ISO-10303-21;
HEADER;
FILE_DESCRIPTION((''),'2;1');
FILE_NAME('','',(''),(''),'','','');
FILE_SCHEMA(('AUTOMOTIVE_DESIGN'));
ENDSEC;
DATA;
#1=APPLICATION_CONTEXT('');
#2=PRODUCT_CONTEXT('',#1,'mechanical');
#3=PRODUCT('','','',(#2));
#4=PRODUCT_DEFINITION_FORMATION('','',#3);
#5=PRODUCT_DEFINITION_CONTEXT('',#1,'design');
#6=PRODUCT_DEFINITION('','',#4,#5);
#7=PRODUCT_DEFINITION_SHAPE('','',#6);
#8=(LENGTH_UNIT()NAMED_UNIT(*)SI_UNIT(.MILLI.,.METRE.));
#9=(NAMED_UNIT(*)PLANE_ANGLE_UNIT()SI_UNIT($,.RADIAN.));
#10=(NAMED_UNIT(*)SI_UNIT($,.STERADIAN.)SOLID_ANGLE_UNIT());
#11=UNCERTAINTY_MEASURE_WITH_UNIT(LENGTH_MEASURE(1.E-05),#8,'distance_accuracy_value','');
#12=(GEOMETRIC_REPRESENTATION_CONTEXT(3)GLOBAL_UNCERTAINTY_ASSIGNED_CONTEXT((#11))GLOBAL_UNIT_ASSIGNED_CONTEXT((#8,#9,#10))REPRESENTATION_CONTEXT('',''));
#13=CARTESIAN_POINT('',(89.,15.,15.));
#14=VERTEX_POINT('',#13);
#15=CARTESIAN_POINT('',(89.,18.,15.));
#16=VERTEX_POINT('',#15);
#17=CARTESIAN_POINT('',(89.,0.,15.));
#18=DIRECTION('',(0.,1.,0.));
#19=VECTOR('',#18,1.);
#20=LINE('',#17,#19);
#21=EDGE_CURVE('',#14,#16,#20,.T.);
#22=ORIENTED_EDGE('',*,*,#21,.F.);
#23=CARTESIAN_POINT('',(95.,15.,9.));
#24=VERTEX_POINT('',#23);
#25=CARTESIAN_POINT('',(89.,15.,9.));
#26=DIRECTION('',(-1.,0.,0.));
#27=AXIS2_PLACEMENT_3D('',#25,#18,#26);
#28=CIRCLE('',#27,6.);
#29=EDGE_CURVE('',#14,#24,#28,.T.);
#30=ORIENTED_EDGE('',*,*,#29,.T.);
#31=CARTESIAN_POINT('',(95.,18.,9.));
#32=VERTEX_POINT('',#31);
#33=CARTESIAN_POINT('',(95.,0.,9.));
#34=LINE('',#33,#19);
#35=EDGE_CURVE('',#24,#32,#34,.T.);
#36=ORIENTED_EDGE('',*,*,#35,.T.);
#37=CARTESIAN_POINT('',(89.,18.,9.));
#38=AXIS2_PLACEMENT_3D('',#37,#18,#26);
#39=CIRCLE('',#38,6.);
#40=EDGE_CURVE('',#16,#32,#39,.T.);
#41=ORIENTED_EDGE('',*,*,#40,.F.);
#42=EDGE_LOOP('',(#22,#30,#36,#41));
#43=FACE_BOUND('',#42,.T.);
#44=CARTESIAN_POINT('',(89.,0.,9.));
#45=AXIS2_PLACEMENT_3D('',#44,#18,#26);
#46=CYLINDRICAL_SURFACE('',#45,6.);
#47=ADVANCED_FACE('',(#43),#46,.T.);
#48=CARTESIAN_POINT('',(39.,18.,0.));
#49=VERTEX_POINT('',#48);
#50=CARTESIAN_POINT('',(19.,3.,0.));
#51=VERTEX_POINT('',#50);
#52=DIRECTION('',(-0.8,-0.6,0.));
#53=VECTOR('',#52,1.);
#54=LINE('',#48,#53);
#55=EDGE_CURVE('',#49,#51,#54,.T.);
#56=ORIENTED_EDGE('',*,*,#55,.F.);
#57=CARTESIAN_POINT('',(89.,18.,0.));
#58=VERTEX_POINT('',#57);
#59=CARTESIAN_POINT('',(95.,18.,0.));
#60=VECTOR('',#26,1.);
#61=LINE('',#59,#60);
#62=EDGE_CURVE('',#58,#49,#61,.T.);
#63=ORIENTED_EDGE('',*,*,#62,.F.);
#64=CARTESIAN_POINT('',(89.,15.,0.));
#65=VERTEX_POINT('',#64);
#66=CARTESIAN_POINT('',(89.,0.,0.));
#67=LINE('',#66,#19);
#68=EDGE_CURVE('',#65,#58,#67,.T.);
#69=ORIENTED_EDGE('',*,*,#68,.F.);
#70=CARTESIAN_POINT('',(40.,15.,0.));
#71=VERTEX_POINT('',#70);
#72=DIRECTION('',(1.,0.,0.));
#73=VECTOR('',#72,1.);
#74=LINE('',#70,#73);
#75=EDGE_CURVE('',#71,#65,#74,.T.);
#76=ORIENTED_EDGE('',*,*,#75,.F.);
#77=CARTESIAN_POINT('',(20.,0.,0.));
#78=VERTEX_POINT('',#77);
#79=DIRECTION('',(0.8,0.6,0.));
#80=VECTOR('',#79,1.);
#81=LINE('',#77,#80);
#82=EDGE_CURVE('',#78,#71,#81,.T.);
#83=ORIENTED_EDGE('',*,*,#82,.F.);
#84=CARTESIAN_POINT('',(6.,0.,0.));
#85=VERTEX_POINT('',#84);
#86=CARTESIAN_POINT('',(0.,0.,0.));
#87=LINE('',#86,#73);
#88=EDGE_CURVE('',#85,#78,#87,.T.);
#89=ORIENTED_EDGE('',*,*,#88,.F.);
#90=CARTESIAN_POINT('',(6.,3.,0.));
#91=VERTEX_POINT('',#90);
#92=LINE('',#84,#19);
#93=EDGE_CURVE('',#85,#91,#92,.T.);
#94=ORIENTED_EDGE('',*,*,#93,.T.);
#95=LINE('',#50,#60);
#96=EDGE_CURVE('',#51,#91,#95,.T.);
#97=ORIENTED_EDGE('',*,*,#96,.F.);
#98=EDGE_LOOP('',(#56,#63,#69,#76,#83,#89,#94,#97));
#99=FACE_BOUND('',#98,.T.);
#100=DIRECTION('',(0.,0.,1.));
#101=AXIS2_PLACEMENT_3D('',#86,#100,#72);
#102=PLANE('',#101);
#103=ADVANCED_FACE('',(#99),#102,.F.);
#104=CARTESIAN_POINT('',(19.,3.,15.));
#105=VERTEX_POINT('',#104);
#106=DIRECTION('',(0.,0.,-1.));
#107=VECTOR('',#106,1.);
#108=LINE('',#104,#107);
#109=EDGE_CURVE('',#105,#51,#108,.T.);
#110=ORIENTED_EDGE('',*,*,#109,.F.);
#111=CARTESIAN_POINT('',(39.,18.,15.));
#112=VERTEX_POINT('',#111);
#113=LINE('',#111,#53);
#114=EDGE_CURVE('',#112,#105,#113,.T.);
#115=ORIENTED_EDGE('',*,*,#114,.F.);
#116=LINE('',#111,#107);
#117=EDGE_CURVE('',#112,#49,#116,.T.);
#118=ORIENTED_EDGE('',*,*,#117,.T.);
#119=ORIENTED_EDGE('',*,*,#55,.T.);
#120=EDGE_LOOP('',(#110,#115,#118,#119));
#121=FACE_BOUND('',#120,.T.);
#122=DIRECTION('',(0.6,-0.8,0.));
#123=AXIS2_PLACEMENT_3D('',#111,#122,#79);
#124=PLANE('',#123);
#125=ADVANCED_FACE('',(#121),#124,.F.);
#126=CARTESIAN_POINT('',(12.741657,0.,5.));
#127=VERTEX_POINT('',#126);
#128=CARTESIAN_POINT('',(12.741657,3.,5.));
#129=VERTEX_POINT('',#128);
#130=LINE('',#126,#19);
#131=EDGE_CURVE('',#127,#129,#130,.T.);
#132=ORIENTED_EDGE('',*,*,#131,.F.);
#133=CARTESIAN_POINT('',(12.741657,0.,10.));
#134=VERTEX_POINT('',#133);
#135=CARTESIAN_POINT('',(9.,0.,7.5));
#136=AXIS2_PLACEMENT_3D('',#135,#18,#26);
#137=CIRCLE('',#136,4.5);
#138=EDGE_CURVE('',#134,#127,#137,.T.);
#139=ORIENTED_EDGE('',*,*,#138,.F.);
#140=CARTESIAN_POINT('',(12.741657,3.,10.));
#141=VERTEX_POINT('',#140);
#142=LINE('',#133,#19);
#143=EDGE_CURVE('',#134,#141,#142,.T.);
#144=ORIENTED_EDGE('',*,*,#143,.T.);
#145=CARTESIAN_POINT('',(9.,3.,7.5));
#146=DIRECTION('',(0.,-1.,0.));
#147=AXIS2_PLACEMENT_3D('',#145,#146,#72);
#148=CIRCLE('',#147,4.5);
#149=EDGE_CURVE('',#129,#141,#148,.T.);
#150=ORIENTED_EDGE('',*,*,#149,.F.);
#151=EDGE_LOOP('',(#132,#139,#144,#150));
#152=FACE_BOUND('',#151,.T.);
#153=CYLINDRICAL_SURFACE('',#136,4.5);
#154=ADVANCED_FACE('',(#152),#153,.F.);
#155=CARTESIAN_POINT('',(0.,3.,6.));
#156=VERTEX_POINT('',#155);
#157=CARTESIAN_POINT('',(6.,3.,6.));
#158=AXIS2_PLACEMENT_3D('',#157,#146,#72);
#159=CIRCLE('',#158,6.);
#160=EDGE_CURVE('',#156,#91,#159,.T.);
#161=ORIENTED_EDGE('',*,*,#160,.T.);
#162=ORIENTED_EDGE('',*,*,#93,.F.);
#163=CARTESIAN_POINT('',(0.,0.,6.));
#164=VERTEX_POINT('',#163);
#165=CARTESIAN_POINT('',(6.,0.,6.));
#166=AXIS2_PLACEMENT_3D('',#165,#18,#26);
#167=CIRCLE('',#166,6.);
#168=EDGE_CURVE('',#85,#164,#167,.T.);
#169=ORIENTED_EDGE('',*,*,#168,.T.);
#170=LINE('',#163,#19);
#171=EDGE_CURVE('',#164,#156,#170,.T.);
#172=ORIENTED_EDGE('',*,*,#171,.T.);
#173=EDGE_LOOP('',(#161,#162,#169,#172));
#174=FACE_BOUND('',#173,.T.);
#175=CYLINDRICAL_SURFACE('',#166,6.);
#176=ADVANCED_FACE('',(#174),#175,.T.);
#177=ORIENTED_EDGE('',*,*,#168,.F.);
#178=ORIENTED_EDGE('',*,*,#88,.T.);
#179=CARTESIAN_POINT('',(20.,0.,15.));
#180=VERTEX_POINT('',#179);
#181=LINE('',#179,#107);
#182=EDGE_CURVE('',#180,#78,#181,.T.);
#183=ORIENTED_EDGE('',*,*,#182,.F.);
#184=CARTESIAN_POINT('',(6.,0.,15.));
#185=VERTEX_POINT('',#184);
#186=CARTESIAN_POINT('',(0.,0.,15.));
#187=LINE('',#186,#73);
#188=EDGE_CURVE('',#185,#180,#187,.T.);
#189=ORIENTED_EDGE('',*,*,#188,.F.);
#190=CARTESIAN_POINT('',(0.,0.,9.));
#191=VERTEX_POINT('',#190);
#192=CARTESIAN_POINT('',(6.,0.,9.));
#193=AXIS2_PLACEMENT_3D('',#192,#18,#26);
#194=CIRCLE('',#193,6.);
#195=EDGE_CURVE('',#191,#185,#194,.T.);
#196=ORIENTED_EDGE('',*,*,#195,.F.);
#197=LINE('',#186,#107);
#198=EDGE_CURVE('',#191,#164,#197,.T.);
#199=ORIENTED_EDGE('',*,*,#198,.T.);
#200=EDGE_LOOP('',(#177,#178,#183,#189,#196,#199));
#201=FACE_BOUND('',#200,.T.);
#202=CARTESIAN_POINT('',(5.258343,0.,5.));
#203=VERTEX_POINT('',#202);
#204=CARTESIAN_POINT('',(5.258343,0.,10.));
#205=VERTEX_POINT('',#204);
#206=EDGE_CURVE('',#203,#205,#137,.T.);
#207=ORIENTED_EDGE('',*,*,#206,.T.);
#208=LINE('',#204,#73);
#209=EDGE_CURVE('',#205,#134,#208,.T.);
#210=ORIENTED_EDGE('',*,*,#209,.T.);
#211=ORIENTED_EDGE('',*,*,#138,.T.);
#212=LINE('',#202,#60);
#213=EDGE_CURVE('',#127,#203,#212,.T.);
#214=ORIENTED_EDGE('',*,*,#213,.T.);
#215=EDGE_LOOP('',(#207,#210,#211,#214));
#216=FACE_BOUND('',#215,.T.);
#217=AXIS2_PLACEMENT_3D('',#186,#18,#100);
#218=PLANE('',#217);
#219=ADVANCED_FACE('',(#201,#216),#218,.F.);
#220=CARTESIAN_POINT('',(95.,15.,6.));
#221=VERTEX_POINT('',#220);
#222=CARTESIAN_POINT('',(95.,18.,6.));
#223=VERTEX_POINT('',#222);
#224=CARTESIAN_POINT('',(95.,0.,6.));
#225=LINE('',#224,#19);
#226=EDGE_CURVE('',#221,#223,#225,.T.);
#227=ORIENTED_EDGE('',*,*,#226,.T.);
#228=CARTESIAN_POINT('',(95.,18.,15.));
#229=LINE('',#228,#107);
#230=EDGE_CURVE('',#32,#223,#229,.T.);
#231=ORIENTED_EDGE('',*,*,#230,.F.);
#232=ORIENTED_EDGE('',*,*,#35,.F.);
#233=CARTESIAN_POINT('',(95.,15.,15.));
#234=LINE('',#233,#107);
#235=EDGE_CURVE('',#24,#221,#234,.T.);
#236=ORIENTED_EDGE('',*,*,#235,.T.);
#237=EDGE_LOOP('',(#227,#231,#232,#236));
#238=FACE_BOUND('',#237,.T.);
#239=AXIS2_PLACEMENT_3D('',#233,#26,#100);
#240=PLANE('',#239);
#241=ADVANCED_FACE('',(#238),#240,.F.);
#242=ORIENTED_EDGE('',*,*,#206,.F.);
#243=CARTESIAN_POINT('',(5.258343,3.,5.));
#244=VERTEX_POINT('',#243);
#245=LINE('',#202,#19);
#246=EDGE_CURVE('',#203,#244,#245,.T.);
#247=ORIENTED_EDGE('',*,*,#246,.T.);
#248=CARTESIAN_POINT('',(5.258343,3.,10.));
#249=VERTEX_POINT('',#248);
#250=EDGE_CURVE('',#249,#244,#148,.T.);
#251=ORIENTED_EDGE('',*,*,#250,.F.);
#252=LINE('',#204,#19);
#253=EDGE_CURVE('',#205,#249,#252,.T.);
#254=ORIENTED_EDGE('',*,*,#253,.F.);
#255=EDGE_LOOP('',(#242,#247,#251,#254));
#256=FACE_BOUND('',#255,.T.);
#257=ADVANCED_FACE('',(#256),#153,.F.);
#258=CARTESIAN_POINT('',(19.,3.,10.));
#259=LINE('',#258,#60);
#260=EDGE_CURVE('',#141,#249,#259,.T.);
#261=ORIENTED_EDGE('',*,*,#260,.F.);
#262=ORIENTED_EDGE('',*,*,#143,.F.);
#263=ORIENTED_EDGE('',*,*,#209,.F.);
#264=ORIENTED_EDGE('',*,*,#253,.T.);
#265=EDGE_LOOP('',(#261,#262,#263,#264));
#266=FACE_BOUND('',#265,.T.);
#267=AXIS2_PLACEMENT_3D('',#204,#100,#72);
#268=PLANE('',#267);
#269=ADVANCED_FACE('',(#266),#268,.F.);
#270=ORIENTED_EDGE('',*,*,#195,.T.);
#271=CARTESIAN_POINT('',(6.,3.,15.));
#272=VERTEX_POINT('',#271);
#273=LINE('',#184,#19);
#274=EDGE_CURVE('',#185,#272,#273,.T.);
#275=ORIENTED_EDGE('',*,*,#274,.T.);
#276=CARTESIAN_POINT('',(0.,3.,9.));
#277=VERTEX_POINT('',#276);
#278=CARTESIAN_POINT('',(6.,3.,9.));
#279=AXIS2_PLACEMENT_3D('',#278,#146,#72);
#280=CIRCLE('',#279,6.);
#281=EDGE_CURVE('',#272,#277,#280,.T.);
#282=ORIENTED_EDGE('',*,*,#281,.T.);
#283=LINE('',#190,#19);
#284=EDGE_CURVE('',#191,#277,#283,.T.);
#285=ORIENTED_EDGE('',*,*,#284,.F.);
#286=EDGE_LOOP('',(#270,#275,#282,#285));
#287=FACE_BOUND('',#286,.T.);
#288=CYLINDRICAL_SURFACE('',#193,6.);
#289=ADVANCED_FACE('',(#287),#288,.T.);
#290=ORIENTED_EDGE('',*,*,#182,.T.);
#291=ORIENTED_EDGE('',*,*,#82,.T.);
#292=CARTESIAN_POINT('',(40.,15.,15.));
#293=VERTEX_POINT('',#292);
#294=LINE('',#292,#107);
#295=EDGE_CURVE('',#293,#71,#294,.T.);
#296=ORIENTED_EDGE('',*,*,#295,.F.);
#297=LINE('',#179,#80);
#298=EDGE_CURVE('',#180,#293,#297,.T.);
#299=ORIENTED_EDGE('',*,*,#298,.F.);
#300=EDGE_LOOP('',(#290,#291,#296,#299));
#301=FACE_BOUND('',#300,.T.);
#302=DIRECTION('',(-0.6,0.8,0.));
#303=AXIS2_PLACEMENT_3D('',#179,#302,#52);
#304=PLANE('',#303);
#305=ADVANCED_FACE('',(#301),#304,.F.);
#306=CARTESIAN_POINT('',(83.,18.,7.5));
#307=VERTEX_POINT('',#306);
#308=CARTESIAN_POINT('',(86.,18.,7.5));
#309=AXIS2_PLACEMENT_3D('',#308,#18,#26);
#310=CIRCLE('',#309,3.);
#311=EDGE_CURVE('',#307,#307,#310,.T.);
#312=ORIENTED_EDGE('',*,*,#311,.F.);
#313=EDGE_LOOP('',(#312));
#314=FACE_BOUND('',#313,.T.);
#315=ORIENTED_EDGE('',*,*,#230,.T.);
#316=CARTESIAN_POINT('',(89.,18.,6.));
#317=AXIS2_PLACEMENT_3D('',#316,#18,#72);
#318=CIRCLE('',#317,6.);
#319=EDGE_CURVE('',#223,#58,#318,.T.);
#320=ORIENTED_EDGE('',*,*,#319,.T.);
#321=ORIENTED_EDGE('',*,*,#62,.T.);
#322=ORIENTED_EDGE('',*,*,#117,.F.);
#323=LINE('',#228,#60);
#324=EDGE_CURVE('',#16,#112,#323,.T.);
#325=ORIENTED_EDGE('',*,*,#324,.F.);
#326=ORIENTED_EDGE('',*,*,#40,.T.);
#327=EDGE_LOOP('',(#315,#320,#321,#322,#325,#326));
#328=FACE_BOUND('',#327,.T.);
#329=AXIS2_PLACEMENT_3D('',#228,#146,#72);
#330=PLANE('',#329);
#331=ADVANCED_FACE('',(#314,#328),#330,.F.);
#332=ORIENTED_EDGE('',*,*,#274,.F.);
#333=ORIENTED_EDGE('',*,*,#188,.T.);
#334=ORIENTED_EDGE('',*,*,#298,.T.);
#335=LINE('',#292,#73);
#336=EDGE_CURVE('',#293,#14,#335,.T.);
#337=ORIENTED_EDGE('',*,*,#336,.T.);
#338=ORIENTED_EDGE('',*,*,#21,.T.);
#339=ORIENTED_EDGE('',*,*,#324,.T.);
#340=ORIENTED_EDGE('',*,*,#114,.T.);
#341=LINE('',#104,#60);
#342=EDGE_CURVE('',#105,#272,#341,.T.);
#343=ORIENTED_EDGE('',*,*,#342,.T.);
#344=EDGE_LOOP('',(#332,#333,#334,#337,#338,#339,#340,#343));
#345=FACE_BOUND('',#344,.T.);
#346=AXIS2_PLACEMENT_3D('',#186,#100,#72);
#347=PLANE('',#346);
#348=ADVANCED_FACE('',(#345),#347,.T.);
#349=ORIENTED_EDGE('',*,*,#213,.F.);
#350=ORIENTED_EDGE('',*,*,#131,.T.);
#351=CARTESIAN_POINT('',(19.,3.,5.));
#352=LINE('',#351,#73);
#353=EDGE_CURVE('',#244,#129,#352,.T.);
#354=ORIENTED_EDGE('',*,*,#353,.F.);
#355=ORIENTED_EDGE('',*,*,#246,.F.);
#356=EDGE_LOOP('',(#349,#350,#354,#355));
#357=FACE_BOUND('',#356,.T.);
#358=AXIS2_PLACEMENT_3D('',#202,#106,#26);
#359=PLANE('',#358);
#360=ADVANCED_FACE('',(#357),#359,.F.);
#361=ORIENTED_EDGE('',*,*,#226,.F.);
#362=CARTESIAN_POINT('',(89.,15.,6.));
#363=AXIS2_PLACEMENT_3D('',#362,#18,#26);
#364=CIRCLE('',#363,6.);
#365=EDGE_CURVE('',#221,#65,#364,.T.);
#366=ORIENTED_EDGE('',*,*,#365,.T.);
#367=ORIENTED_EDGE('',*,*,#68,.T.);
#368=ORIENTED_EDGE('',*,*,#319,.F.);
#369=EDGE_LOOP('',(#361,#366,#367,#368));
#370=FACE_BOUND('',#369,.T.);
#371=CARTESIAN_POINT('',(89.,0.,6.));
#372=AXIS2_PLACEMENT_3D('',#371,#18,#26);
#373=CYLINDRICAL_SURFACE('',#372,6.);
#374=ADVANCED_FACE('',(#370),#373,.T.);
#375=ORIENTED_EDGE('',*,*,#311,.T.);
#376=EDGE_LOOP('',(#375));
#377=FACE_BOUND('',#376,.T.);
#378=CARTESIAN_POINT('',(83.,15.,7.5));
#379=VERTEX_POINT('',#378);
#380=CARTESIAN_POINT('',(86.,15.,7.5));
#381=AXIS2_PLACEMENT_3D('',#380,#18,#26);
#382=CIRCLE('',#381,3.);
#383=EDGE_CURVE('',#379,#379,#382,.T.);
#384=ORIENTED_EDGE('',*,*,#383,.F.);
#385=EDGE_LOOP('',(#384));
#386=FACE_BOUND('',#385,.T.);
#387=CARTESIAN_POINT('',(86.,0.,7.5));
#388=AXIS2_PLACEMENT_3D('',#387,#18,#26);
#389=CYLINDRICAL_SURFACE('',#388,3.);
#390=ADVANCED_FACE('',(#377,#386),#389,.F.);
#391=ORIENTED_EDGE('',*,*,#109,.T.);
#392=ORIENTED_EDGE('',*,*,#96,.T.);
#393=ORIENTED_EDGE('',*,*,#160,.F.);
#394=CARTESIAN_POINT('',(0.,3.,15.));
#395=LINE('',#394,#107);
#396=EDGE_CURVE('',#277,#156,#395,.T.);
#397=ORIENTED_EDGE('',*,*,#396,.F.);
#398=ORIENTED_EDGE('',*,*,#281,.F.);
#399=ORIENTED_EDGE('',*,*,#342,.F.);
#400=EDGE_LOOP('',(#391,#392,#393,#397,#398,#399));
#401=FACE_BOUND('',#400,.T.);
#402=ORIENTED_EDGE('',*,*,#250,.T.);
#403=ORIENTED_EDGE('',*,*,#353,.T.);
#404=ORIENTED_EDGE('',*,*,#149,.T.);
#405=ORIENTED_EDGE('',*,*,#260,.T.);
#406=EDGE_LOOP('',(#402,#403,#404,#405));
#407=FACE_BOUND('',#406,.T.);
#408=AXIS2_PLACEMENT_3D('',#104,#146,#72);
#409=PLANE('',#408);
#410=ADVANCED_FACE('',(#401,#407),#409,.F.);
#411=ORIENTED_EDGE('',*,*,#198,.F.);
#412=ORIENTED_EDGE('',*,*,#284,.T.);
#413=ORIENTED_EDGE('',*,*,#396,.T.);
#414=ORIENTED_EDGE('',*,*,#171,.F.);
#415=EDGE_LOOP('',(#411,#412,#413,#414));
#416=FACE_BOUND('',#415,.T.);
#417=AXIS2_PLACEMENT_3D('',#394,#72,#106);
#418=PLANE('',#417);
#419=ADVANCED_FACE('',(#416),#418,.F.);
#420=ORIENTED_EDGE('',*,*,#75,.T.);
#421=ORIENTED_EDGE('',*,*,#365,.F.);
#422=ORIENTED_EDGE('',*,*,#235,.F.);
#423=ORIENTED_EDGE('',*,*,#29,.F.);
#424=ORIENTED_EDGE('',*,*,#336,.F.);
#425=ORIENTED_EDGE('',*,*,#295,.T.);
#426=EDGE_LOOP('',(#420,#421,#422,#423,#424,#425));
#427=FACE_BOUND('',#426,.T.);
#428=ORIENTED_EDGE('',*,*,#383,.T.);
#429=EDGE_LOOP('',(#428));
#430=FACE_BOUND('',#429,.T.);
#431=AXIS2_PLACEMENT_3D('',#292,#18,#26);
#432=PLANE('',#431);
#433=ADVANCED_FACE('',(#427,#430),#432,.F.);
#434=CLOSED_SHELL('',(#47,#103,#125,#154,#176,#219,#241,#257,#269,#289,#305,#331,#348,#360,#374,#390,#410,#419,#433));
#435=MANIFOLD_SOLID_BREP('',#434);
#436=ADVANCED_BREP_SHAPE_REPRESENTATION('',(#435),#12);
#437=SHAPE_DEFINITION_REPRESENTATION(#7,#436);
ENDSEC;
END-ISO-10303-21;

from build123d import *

# Parameters (mm, degrees)
BOSS_EXTRU_1_DEPTH      = 15
ESQUISSE3_OUTSIDE_W     = 116.57
ESQUISSE3_OUTSIDE_H     = 36.57
ESQUISSE3_OUTSIDE_R     = 3
ENL_V_MAT_EXTRU_1_DEPTH = 19


with BuildPart() as part:
    # Esquisse1 → Boss.-Extru.1 (new body)
    with BuildSketch(Plane.XY):
        Polygon((0, 0), (20, 0), (40, 15), (95, 15), (95, 18), (39, 18), (19, 3), (0, 3), align=None)
    extrude(amount=BOSS_EXTRU_1_DEPTH)

    # Esquisse3 outside → Enlèv. mat.-Extru.1 (cut, through all)
    with BuildSketch(Plane(origin=(0, 18, 0), x_dir=(1, 0, 0), z_dir=(0, 1, 0))):
        with Locations((47.5, -7.5)):
            Rectangle(ESQUISSE3_OUTSIDE_W, ESQUISSE3_OUTSIDE_H)
        with BuildLine():
            Line((6, 0), (89, 0))
            ThreePointArc((89, 0), (93.242640687, -1.757359313), (95, -6))
            Line((95, -6), (95, -9))
            ThreePointArc((95, -9), (93.242640687, -13.242640687), (89, -15))
            Line((89, -15), (6, -15))
            ThreePointArc((6, -15), (1.757359313, -13.242640687), (0, -9))
            Line((0, -9), (0, -6))
            ThreePointArc((0, -6), (1.757359313, -1.757359313), (6, 0))
        make_face(mode=Mode.SUBTRACT)
        with Locations((86, -7.5)):
            Circle(ESQUISSE3_OUTSIDE_R)
        with BuildLine():
            Line((5.258342613, -5), (12.741657387, -5))
            ThreePointArc((12.741657387, -5), (13.5, -7.5), (12.741657387, -10))
            Line((12.741657387, -10), (5.258342613, -10))
            ThreePointArc((5.258342613, -10), (4.5, -7.5), (5.258342613, -5))
        make_face()
    extrude(amount=-ENL_V_MAT_EXTRU_1_DEPTH, mode=Mode.SUBTRACT)


solid = part.part
